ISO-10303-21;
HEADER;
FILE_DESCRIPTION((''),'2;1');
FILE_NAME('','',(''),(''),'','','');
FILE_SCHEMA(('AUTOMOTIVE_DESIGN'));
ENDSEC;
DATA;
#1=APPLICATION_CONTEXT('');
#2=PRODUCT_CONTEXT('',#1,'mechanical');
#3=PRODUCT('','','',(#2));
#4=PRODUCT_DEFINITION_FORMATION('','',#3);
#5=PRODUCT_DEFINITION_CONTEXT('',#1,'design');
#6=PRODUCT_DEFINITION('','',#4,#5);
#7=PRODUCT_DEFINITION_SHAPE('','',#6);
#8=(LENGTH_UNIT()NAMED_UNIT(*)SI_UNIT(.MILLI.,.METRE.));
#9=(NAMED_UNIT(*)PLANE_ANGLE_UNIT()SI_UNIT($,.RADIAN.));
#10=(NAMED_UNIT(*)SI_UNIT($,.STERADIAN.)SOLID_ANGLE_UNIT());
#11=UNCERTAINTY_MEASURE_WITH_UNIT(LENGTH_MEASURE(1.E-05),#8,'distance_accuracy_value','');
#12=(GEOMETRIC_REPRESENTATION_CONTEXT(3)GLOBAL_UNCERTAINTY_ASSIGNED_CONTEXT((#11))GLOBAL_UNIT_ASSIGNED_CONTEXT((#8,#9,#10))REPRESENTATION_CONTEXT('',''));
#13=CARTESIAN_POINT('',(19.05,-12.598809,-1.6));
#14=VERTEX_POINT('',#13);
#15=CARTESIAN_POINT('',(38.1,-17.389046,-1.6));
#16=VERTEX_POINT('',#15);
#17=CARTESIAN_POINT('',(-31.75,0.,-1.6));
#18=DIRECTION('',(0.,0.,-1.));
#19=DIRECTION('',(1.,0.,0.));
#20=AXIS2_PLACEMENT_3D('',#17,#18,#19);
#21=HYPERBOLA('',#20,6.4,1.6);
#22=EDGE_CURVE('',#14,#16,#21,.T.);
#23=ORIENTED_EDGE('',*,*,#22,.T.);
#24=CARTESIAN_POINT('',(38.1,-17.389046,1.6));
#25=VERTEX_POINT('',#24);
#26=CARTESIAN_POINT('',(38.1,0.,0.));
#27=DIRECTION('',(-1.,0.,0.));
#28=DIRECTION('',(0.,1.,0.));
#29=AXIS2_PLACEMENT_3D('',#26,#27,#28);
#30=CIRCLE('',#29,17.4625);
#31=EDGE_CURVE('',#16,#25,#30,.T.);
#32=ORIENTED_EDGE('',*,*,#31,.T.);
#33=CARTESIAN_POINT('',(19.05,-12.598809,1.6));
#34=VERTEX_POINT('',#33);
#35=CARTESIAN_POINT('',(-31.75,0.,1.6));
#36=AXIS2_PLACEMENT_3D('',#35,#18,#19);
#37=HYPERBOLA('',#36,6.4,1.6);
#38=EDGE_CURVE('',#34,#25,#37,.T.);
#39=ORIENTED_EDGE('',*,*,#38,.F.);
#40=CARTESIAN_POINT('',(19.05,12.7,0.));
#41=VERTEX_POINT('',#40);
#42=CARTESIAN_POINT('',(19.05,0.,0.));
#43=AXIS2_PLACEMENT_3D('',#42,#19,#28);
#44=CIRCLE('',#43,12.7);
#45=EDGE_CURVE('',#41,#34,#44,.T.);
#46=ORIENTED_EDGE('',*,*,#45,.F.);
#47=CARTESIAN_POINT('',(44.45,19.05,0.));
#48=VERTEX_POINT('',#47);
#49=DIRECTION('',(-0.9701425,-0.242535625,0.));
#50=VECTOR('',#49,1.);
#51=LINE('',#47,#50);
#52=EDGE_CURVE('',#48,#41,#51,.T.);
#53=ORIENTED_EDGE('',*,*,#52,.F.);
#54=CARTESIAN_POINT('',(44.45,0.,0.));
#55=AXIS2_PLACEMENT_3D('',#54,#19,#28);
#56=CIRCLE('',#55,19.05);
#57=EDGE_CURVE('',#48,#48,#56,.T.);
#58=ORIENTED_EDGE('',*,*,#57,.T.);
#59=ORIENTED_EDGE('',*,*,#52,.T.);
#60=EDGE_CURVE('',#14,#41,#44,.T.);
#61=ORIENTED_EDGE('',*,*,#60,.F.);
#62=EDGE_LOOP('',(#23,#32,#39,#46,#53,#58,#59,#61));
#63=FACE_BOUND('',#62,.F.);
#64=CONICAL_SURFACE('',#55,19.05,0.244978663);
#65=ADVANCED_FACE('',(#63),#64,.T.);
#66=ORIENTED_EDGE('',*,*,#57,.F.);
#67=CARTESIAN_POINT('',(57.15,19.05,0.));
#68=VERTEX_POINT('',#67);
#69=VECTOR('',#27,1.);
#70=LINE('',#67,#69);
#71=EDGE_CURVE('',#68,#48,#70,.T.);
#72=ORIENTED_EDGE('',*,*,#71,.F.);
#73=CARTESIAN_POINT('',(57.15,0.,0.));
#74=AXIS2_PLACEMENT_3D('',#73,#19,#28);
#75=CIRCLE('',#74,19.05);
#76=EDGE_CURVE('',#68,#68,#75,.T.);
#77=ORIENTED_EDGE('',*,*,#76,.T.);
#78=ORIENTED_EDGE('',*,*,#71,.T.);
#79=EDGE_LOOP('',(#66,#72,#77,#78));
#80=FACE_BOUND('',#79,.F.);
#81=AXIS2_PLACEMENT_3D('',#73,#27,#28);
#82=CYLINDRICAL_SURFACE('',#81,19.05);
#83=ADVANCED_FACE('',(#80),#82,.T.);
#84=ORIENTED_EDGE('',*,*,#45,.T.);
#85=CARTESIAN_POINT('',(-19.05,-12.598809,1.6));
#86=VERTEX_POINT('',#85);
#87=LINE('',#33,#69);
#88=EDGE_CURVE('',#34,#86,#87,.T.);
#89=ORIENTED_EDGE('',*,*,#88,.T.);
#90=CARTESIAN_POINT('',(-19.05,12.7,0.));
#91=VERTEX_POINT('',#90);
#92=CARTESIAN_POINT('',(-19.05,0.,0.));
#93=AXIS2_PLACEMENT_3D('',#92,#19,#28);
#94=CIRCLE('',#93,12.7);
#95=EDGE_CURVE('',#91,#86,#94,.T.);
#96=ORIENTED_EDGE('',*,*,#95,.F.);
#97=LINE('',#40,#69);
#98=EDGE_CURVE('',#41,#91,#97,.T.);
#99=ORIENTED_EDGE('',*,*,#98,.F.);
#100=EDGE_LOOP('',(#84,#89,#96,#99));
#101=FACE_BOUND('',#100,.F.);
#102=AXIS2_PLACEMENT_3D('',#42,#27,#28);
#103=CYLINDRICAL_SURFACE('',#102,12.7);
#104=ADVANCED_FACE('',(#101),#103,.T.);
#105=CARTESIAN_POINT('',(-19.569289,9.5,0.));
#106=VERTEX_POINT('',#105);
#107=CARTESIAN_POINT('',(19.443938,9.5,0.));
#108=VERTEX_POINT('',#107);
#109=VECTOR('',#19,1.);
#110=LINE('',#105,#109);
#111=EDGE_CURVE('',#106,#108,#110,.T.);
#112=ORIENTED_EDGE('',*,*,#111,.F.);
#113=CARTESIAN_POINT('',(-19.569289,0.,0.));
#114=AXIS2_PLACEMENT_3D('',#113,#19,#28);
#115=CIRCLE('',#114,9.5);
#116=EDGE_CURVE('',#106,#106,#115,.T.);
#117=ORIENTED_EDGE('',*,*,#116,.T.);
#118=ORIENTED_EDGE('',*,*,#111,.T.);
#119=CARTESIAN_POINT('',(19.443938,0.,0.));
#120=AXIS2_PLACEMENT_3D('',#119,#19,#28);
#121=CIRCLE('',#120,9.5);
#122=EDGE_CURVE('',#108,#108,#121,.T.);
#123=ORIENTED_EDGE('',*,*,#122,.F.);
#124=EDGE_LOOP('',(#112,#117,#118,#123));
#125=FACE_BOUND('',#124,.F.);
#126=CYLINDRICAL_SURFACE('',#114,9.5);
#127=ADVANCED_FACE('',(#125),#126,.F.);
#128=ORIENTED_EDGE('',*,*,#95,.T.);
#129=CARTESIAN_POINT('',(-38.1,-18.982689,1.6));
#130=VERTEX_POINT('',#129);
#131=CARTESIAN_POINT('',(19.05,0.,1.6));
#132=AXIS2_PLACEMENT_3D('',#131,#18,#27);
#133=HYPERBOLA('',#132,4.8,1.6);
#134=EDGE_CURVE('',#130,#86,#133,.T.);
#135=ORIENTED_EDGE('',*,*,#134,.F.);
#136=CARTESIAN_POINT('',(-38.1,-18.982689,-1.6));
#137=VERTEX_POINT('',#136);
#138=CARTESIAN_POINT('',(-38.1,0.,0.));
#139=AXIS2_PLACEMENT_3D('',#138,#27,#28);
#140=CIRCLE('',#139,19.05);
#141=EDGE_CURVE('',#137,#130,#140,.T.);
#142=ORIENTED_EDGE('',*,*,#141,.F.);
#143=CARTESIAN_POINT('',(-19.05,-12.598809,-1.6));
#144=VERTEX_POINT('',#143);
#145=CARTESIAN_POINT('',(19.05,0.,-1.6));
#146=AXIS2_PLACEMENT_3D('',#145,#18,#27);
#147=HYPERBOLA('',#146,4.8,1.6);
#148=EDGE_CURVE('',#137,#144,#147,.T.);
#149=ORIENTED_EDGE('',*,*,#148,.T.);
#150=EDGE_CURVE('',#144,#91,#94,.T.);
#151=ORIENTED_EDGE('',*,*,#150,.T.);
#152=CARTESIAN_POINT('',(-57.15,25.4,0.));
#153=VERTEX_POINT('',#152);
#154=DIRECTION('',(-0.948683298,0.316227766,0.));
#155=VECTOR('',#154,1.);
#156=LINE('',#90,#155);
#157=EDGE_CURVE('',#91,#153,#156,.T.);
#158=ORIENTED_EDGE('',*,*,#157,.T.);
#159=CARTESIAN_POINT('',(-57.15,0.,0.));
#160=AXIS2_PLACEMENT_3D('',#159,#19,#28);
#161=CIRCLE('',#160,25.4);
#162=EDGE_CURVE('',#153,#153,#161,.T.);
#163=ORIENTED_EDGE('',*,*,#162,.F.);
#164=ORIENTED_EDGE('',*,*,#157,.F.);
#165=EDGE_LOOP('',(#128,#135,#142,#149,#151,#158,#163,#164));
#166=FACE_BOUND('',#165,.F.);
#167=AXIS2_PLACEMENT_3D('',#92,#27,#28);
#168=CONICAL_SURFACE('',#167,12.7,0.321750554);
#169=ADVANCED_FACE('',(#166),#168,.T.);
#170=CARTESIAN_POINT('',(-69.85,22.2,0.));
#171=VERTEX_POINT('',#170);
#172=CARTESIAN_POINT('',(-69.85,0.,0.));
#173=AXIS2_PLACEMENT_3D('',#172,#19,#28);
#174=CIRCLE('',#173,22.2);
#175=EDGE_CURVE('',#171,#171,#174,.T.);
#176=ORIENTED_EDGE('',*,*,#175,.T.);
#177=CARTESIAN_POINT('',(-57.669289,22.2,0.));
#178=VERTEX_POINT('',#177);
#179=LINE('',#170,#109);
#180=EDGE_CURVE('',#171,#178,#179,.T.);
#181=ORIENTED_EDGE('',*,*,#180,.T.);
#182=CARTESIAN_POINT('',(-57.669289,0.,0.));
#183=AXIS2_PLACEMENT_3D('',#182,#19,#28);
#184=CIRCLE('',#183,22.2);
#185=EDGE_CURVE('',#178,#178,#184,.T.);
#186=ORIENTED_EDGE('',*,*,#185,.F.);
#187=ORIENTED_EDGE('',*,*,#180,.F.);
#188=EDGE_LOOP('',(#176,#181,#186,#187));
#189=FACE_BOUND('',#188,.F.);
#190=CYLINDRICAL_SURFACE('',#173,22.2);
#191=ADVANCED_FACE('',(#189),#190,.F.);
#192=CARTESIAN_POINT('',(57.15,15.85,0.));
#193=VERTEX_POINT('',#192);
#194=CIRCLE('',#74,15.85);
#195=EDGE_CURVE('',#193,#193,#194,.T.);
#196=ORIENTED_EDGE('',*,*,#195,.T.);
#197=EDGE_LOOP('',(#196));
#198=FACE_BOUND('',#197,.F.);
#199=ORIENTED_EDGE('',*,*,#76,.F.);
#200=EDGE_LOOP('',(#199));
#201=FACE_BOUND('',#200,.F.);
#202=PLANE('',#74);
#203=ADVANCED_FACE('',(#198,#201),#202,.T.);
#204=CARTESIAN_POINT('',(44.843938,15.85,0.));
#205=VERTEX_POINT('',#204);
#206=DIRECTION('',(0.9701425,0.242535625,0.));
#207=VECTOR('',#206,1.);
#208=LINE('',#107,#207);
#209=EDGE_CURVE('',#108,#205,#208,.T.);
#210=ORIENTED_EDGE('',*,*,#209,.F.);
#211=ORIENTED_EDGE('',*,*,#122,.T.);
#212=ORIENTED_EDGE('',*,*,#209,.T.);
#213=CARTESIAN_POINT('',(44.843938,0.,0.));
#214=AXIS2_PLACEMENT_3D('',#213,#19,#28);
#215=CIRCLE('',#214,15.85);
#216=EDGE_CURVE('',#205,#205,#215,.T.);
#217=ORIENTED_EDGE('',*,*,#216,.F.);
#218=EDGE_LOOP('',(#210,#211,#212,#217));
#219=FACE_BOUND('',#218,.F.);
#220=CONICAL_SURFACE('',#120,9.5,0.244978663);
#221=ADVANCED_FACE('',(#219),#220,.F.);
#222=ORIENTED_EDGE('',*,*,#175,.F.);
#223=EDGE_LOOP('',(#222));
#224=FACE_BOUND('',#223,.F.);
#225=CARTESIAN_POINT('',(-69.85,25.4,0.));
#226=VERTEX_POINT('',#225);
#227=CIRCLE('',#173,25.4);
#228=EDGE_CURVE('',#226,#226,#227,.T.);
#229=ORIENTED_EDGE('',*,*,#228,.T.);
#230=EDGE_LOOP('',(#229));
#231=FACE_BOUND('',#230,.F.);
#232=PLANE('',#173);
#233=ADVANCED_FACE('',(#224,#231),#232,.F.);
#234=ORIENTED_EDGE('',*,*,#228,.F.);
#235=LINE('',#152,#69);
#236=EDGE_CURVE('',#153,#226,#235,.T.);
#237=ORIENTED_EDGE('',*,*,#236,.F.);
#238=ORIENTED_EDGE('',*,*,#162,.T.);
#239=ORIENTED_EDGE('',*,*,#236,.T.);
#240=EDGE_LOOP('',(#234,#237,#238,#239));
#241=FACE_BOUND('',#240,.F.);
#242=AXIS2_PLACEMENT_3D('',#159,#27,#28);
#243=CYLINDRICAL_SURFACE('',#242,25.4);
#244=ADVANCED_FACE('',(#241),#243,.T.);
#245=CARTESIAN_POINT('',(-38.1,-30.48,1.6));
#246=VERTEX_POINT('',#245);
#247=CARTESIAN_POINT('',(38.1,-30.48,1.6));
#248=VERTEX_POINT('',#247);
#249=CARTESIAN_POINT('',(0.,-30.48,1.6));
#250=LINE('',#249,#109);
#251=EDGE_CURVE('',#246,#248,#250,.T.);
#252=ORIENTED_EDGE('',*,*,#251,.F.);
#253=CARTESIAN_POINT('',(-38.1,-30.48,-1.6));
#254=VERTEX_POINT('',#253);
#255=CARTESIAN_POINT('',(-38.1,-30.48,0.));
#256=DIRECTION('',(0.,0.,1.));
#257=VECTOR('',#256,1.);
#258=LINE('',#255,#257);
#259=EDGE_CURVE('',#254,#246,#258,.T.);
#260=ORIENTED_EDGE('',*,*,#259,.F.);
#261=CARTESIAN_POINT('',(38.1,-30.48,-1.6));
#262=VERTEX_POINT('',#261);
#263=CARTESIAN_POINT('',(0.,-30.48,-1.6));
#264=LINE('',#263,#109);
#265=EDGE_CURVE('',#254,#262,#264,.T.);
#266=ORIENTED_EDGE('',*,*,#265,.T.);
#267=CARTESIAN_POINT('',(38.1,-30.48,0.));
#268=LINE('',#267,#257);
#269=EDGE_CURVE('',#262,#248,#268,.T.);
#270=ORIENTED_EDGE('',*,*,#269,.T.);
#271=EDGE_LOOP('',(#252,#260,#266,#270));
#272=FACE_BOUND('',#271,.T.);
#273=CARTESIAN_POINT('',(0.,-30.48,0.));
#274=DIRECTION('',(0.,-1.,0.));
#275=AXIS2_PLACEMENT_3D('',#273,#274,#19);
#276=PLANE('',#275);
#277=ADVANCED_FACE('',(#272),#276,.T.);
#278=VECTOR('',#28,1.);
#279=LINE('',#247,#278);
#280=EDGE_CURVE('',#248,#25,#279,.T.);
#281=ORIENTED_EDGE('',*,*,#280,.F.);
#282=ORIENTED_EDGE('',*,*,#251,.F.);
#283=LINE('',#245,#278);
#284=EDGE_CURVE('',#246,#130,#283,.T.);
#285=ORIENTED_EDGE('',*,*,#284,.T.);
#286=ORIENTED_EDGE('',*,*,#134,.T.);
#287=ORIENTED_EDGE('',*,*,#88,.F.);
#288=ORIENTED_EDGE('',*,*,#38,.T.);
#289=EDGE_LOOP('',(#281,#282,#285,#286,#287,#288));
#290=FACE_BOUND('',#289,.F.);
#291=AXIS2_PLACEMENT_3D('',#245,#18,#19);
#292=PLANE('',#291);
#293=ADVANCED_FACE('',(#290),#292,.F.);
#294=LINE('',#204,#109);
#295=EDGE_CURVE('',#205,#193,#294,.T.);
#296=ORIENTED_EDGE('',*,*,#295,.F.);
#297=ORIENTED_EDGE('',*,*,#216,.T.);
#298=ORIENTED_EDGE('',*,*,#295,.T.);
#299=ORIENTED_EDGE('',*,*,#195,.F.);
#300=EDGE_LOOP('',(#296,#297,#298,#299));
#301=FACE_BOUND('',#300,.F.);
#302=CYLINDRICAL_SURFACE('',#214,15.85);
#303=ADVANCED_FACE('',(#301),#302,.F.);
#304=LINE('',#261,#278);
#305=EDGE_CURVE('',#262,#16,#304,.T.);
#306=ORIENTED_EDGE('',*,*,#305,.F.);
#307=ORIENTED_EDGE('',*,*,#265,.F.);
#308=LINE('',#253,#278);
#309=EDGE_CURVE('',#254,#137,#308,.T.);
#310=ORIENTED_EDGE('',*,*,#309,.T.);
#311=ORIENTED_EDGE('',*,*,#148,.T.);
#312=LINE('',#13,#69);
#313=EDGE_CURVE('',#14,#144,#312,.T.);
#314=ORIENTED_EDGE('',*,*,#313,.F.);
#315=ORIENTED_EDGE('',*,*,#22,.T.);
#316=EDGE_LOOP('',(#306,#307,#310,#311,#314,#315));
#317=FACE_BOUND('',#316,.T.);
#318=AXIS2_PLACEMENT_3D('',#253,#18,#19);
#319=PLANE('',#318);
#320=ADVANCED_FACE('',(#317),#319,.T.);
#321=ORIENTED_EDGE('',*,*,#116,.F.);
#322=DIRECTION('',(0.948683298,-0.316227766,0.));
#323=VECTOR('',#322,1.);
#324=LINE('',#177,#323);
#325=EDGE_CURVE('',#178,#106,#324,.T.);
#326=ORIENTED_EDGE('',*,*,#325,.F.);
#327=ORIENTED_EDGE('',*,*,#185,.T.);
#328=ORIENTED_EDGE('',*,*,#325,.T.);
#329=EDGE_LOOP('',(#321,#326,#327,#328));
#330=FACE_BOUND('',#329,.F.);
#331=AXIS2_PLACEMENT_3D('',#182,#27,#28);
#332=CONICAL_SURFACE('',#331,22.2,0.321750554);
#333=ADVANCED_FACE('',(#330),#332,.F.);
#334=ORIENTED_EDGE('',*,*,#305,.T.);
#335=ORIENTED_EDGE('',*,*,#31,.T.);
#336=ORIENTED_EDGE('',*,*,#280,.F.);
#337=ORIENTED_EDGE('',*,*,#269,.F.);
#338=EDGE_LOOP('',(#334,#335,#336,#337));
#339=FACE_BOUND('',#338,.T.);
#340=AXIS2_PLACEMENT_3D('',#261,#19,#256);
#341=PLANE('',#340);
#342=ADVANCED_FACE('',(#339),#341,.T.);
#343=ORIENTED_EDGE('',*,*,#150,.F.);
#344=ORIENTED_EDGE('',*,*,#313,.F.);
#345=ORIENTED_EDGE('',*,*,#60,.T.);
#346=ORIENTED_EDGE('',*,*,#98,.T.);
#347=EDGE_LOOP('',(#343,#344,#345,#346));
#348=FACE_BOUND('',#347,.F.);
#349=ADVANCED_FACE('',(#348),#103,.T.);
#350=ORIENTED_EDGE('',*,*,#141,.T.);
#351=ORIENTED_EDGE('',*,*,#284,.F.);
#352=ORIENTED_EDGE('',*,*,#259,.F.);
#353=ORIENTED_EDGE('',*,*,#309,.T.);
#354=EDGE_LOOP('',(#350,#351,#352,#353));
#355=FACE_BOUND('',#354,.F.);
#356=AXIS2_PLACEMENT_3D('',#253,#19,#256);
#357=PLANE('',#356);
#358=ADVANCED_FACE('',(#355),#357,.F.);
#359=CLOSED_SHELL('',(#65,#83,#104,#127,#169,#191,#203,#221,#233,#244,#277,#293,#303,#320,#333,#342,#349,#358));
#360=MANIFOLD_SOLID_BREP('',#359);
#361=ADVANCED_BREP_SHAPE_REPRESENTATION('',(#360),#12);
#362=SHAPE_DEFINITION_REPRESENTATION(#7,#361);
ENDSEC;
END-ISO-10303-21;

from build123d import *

# Parameters (mm, degrees)
F3_W = 76.2
F3_H = 3.2


with BuildPart() as f1:
    # F0 (on Top) → F1 (revolve)
    with BuildSketch(Plane.XY):
        Polygon((44.843938002, 15.85), (57.15, 15.85), (57.15, 19.05), (44.45, 19.05), (19.05, 12.7), (-19.05, 12.7), (-57.15, 25.4), (-69.85, 25.4), (-69.85, 22.2), (-57.6692885125, 22.2), (-19.5692885125, 9.5), (19.443938002, 9.5), align=None)
    revolve(axis=Axis((-6.35, 0, 0), (1, 0, 0)))

    # F3 (on offset) → F4 (join, up to the next surface of F1)
    with BuildSketch(Plane.XZ.offset(30.48)):
        Rectangle(F3_W, F3_H)
    extrude(until=Until.NEXT, dir=(0, 1, 0))


solid = f1.part
